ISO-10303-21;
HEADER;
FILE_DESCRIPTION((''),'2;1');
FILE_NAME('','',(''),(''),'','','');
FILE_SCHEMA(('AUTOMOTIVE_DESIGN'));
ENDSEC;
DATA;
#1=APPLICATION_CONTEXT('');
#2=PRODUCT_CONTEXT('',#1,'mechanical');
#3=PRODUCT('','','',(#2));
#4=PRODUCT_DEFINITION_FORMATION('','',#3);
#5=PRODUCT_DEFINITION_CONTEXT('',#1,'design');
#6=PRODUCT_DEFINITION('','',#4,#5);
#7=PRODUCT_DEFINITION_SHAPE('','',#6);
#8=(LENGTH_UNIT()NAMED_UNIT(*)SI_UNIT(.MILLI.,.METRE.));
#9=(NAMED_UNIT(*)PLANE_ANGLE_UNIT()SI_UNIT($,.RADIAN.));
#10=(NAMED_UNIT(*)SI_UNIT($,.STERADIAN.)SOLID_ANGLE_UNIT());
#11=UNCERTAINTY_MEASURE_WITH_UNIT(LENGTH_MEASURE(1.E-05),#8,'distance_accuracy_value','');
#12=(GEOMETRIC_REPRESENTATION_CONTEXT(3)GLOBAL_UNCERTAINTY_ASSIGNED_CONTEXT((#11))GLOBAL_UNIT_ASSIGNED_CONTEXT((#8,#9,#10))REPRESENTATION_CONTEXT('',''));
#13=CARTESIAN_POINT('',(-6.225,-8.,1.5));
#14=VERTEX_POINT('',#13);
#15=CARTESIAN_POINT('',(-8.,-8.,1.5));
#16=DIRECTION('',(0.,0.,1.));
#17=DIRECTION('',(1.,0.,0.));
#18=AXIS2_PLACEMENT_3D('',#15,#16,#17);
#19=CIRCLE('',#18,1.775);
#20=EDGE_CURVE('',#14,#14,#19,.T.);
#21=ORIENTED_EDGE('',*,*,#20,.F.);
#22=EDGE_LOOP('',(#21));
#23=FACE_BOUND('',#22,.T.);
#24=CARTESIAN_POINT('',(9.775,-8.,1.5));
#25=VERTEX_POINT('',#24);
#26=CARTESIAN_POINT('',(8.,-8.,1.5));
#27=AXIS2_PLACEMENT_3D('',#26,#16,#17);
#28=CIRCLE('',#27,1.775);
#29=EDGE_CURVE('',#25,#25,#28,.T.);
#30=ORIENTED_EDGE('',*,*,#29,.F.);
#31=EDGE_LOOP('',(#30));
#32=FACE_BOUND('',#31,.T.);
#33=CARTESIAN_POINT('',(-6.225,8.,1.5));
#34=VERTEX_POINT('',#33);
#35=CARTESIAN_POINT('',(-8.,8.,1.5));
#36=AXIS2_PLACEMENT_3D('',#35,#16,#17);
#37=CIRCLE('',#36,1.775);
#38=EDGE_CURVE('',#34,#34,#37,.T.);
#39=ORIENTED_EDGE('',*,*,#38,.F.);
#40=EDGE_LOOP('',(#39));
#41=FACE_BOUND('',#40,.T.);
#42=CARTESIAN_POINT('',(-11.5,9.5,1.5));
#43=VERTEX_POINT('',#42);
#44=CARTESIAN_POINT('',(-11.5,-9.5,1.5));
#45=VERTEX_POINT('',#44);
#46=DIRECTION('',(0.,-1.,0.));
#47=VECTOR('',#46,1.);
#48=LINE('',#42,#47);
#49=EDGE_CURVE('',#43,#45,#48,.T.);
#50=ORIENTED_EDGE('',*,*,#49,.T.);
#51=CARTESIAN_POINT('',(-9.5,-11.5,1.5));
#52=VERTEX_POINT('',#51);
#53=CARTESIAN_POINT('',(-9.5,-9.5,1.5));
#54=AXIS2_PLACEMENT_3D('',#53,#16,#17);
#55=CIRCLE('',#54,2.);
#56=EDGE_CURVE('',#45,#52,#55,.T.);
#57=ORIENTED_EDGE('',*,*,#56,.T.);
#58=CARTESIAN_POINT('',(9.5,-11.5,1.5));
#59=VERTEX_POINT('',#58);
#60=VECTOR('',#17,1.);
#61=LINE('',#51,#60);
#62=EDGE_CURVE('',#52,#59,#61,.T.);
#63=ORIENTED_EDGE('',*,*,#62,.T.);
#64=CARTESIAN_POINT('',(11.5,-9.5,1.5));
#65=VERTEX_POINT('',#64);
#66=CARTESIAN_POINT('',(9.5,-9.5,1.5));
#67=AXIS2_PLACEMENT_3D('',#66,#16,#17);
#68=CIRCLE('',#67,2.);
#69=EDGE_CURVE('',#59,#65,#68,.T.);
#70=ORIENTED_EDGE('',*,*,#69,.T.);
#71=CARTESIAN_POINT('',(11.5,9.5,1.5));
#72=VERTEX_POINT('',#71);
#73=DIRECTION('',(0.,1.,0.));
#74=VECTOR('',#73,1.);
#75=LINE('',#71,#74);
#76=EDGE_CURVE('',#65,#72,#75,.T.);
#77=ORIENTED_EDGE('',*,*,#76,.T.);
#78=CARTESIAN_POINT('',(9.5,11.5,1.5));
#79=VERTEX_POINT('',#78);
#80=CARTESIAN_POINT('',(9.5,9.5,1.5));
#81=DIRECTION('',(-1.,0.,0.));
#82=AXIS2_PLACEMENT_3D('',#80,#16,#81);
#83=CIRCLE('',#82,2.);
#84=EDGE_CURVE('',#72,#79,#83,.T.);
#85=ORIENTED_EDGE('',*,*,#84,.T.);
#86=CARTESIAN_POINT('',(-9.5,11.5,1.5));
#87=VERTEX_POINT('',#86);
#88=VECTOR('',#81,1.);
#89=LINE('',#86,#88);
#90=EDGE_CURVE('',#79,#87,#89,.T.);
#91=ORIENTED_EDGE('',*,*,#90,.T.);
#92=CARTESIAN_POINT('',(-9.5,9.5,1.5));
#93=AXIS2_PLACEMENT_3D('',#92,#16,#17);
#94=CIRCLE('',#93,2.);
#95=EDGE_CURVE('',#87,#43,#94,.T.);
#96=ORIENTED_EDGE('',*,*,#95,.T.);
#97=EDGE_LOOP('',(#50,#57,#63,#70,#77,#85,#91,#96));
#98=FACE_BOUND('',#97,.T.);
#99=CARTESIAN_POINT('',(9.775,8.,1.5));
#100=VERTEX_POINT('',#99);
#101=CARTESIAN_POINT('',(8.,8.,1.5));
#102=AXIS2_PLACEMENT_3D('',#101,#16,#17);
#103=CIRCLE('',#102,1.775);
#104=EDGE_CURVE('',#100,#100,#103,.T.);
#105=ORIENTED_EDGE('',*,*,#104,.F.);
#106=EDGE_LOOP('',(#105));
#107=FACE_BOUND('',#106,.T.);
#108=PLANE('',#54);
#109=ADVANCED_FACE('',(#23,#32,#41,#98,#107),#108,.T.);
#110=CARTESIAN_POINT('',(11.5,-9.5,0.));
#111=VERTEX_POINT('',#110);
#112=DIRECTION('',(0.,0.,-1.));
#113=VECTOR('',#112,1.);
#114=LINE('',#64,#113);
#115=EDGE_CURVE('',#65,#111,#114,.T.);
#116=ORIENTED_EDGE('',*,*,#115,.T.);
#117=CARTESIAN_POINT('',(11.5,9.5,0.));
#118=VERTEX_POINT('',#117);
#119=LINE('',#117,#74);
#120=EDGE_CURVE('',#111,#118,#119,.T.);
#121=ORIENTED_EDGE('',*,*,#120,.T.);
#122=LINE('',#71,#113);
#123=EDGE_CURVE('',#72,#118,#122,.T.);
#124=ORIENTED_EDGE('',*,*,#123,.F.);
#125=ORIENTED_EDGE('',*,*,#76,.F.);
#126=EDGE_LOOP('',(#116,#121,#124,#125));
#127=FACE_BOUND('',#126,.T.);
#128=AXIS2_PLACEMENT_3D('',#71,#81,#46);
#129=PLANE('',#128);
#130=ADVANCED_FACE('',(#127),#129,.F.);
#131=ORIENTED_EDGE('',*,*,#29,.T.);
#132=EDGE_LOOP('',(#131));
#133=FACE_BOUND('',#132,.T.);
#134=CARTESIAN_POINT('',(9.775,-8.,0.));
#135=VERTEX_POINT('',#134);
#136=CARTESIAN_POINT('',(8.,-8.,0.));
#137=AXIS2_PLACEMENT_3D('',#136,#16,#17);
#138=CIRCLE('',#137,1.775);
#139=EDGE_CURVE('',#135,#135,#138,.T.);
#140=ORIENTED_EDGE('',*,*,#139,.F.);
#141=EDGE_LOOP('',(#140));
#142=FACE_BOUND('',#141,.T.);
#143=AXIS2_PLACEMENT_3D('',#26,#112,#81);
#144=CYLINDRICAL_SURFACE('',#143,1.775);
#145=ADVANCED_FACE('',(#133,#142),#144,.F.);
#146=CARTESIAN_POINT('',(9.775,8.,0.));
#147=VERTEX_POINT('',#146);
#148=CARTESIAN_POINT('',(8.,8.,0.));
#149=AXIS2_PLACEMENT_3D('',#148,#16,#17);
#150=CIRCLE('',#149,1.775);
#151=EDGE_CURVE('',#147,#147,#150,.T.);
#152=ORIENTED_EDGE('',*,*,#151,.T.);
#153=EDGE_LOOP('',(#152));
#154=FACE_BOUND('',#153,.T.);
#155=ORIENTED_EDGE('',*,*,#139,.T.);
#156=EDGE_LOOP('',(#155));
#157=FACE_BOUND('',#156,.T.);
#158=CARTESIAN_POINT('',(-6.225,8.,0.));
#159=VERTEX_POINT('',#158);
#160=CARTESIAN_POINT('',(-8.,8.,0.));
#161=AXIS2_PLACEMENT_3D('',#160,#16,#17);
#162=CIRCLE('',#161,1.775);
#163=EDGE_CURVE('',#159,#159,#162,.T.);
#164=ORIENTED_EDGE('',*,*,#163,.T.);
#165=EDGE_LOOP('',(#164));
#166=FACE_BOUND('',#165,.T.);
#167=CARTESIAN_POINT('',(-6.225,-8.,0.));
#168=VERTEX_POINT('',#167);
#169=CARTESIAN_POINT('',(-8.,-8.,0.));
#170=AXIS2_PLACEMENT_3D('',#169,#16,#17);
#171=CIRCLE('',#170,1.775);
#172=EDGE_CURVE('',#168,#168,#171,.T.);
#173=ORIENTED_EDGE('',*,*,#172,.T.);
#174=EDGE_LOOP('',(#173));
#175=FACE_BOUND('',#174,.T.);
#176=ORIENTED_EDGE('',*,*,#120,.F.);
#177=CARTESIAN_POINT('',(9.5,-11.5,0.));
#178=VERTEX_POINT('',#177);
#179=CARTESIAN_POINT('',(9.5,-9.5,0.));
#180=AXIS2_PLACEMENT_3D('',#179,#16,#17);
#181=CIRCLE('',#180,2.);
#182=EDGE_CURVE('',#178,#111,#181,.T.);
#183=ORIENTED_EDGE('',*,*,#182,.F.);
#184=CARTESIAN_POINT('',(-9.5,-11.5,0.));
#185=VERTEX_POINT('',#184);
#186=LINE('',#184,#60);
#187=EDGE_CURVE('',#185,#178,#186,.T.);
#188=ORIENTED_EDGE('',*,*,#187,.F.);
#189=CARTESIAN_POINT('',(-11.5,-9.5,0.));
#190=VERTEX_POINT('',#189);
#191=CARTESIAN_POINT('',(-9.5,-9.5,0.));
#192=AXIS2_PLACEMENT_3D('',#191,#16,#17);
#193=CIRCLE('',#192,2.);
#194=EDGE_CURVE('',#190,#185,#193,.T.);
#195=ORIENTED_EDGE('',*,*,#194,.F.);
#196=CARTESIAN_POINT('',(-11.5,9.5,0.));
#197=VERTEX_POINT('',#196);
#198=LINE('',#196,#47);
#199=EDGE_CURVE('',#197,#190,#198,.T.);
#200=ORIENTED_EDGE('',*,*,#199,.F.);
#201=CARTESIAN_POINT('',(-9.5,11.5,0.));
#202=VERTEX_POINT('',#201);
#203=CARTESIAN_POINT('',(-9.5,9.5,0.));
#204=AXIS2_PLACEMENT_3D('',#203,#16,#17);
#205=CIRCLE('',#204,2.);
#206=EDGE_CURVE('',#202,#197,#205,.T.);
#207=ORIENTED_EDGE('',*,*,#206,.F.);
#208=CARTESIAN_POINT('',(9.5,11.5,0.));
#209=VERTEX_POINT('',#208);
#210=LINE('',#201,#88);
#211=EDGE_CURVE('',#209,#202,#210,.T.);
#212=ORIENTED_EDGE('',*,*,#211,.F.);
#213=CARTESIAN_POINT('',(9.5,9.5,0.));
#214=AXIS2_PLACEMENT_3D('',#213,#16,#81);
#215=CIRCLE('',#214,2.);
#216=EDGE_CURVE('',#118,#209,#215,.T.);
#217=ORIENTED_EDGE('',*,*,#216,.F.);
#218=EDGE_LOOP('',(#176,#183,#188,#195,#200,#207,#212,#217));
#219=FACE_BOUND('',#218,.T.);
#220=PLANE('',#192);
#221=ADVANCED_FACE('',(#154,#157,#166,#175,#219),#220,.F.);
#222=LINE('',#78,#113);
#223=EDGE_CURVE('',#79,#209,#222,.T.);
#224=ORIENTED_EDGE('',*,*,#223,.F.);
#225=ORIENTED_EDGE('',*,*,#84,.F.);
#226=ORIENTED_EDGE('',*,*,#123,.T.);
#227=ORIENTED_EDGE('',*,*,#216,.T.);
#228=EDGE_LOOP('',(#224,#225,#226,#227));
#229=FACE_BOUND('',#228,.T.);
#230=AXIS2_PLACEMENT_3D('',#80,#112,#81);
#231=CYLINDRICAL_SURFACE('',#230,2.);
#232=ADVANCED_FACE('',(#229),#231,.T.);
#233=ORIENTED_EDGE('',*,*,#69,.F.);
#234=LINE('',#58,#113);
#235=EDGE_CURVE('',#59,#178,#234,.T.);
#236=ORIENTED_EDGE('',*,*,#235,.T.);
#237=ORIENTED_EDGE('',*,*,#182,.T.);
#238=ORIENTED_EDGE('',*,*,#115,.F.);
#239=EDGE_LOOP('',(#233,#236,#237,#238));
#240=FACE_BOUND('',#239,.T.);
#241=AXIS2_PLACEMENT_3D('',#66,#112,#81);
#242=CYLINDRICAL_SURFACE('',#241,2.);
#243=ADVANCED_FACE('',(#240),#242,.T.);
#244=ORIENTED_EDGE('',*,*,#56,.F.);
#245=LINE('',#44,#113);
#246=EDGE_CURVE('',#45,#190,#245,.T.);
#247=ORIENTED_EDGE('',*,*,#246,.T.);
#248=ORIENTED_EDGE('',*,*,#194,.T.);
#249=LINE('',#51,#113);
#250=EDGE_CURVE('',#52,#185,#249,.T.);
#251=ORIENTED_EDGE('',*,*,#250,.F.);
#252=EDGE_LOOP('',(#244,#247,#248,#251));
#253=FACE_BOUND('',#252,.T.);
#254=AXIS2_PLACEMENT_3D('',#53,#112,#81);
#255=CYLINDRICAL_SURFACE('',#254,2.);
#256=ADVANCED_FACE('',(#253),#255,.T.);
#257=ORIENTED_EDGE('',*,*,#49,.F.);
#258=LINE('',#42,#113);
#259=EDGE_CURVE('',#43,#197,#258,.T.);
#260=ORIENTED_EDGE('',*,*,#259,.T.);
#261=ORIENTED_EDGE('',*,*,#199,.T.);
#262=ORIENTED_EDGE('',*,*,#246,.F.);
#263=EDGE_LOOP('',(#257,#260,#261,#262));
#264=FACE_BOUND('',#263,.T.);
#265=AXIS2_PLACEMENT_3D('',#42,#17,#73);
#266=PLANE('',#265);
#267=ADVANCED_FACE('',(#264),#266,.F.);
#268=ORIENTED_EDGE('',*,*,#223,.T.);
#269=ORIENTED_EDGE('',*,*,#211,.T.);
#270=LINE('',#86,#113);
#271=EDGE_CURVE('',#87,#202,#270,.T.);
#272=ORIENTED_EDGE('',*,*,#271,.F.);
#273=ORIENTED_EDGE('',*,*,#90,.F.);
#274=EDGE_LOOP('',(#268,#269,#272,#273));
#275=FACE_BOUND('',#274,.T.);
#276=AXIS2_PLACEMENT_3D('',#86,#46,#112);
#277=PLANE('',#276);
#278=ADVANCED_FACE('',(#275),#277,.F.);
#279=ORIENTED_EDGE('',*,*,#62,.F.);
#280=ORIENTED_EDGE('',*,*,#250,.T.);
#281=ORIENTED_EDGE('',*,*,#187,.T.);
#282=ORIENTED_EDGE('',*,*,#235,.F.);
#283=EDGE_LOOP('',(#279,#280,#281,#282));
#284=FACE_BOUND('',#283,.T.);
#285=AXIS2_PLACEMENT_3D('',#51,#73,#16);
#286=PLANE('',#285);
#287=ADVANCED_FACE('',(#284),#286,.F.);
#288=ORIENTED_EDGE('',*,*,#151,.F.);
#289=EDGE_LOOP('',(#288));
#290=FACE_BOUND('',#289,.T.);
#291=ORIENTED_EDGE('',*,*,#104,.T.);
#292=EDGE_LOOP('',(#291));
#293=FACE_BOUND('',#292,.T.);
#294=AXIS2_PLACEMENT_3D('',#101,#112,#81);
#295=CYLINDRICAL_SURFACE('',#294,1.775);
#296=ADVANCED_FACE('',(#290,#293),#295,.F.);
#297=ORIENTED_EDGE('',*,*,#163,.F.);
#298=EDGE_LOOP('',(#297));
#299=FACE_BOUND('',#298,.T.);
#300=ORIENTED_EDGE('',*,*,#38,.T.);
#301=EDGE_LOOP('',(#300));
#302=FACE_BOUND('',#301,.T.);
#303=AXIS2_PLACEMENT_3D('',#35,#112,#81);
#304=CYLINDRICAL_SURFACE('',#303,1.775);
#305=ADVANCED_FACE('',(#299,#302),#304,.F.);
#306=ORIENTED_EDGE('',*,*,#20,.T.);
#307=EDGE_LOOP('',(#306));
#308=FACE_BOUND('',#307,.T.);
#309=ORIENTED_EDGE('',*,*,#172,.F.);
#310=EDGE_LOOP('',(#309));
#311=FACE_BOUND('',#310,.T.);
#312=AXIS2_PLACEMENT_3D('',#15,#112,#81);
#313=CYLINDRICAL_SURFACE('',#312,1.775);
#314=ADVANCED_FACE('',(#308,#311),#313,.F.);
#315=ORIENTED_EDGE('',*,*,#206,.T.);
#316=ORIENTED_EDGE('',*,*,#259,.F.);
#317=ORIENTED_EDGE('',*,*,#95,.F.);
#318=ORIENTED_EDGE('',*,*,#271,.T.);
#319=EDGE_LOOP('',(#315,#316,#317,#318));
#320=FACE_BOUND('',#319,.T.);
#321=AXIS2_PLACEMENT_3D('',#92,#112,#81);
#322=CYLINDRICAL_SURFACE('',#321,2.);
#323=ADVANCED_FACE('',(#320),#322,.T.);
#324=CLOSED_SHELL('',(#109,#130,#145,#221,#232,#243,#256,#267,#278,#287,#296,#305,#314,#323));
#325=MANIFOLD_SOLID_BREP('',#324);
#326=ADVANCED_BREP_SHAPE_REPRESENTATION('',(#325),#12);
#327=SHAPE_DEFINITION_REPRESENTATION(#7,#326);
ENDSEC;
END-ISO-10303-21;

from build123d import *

# Parameters (mm, degrees)
SKETCH1_R           = 1.775
BOSS_EXTRUDE1_DEPTH = 1.5


with BuildPart() as part:
    # Sketch1 → Boss-Extrude1 (new body)
    with BuildSketch(Plane.XY):
        with BuildLine():
            Line((-9.5, 11.5), (9.5, 11.5))
            ThreePointArc((9.5, 11.5), (10.914213562, 10.914213562), (11.5, 9.5))
            Line((11.5, 9.5), (11.5, -9.5))
            ThreePointArc((11.5, -9.5), (10.914213562, -10.914213562), (9.5, -11.5))
            Line((9.5, -11.5), (-9.5, -11.5))
            ThreePointArc((-9.5, -11.5), (-10.914213562, -10.914213562), (-11.5, -9.5))
            Line((-11.5, -9.5), (-11.5, 9.5))
            ThreePointArc((-11.5, 9.5), (-10.914213562, 10.914213562), (-9.5, 11.5))
        make_face()
        with Locations((-8.0000004, 8.0000004)):
            Circle(SKETCH1_R, mode=Mode.SUBTRACT)
        with Locations((7.9999996, 7.9999996)):
            Circle(SKETCH1_R, mode=Mode.SUBTRACT)
        with Locations((8.0000004, -8.0000004)):
            Circle(SKETCH1_R, mode=Mode.SUBTRACT)
        with Locations((-7.9999996, -7.9999996)):
            Circle(SKETCH1_R, mode=Mode.SUBTRACT)
    extrude(amount=BOSS_EXTRUDE1_DEPTH)


solid = part.part
